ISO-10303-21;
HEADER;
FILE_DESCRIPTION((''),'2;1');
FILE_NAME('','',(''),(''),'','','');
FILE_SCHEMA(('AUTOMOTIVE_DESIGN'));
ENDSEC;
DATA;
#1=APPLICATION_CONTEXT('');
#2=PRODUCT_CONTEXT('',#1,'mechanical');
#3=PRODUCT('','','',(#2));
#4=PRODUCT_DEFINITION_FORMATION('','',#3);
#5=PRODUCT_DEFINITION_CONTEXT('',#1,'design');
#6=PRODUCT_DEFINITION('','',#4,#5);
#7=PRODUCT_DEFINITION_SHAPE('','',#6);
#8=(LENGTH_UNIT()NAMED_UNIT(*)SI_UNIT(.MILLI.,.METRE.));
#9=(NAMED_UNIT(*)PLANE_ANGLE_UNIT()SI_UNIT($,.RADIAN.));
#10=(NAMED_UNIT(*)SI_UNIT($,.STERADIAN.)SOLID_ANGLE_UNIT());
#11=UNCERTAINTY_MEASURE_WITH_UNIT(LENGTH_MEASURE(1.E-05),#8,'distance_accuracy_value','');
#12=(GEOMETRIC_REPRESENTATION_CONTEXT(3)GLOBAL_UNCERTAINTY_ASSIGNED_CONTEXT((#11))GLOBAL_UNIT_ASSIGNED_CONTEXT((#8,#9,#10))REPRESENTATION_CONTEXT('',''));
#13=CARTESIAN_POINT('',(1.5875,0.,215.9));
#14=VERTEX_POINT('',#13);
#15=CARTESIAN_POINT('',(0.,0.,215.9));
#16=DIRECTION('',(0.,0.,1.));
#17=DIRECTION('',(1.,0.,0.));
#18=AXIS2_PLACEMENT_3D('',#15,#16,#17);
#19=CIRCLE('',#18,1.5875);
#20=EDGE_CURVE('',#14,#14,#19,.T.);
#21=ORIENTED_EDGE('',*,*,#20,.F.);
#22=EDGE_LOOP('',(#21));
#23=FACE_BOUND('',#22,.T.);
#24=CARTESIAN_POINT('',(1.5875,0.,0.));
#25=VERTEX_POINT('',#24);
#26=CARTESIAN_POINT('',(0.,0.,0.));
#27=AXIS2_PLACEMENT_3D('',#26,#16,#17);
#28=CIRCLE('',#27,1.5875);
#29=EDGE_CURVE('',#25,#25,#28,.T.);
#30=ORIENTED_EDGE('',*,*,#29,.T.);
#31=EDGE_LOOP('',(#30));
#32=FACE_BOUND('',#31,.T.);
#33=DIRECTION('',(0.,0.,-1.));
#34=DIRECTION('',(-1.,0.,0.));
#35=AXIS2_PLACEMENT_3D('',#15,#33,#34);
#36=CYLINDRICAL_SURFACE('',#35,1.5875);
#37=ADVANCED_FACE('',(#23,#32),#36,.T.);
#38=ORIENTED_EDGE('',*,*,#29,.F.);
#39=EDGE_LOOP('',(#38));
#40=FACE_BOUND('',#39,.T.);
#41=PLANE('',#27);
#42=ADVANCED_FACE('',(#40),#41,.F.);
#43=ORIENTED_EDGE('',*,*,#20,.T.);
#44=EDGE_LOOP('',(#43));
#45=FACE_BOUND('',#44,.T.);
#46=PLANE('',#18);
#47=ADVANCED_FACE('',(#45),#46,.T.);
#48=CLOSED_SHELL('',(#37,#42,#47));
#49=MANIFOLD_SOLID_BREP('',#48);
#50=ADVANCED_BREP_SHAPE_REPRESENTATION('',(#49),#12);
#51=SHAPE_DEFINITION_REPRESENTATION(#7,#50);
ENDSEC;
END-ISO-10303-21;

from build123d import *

# Parameters (mm, degrees)
SKETCH_1_R      = 1.5875
EXTRUDE_1_DEPTH = 215.9


with BuildPart() as part:
    # 스케치1 → 보스-돌출1 (new body)
    with BuildSketch(Plane.XY):
        Circle(SKETCH_1_R)
    extrude(amount=EXTRUDE_1_DEPTH)


solid = part.part
